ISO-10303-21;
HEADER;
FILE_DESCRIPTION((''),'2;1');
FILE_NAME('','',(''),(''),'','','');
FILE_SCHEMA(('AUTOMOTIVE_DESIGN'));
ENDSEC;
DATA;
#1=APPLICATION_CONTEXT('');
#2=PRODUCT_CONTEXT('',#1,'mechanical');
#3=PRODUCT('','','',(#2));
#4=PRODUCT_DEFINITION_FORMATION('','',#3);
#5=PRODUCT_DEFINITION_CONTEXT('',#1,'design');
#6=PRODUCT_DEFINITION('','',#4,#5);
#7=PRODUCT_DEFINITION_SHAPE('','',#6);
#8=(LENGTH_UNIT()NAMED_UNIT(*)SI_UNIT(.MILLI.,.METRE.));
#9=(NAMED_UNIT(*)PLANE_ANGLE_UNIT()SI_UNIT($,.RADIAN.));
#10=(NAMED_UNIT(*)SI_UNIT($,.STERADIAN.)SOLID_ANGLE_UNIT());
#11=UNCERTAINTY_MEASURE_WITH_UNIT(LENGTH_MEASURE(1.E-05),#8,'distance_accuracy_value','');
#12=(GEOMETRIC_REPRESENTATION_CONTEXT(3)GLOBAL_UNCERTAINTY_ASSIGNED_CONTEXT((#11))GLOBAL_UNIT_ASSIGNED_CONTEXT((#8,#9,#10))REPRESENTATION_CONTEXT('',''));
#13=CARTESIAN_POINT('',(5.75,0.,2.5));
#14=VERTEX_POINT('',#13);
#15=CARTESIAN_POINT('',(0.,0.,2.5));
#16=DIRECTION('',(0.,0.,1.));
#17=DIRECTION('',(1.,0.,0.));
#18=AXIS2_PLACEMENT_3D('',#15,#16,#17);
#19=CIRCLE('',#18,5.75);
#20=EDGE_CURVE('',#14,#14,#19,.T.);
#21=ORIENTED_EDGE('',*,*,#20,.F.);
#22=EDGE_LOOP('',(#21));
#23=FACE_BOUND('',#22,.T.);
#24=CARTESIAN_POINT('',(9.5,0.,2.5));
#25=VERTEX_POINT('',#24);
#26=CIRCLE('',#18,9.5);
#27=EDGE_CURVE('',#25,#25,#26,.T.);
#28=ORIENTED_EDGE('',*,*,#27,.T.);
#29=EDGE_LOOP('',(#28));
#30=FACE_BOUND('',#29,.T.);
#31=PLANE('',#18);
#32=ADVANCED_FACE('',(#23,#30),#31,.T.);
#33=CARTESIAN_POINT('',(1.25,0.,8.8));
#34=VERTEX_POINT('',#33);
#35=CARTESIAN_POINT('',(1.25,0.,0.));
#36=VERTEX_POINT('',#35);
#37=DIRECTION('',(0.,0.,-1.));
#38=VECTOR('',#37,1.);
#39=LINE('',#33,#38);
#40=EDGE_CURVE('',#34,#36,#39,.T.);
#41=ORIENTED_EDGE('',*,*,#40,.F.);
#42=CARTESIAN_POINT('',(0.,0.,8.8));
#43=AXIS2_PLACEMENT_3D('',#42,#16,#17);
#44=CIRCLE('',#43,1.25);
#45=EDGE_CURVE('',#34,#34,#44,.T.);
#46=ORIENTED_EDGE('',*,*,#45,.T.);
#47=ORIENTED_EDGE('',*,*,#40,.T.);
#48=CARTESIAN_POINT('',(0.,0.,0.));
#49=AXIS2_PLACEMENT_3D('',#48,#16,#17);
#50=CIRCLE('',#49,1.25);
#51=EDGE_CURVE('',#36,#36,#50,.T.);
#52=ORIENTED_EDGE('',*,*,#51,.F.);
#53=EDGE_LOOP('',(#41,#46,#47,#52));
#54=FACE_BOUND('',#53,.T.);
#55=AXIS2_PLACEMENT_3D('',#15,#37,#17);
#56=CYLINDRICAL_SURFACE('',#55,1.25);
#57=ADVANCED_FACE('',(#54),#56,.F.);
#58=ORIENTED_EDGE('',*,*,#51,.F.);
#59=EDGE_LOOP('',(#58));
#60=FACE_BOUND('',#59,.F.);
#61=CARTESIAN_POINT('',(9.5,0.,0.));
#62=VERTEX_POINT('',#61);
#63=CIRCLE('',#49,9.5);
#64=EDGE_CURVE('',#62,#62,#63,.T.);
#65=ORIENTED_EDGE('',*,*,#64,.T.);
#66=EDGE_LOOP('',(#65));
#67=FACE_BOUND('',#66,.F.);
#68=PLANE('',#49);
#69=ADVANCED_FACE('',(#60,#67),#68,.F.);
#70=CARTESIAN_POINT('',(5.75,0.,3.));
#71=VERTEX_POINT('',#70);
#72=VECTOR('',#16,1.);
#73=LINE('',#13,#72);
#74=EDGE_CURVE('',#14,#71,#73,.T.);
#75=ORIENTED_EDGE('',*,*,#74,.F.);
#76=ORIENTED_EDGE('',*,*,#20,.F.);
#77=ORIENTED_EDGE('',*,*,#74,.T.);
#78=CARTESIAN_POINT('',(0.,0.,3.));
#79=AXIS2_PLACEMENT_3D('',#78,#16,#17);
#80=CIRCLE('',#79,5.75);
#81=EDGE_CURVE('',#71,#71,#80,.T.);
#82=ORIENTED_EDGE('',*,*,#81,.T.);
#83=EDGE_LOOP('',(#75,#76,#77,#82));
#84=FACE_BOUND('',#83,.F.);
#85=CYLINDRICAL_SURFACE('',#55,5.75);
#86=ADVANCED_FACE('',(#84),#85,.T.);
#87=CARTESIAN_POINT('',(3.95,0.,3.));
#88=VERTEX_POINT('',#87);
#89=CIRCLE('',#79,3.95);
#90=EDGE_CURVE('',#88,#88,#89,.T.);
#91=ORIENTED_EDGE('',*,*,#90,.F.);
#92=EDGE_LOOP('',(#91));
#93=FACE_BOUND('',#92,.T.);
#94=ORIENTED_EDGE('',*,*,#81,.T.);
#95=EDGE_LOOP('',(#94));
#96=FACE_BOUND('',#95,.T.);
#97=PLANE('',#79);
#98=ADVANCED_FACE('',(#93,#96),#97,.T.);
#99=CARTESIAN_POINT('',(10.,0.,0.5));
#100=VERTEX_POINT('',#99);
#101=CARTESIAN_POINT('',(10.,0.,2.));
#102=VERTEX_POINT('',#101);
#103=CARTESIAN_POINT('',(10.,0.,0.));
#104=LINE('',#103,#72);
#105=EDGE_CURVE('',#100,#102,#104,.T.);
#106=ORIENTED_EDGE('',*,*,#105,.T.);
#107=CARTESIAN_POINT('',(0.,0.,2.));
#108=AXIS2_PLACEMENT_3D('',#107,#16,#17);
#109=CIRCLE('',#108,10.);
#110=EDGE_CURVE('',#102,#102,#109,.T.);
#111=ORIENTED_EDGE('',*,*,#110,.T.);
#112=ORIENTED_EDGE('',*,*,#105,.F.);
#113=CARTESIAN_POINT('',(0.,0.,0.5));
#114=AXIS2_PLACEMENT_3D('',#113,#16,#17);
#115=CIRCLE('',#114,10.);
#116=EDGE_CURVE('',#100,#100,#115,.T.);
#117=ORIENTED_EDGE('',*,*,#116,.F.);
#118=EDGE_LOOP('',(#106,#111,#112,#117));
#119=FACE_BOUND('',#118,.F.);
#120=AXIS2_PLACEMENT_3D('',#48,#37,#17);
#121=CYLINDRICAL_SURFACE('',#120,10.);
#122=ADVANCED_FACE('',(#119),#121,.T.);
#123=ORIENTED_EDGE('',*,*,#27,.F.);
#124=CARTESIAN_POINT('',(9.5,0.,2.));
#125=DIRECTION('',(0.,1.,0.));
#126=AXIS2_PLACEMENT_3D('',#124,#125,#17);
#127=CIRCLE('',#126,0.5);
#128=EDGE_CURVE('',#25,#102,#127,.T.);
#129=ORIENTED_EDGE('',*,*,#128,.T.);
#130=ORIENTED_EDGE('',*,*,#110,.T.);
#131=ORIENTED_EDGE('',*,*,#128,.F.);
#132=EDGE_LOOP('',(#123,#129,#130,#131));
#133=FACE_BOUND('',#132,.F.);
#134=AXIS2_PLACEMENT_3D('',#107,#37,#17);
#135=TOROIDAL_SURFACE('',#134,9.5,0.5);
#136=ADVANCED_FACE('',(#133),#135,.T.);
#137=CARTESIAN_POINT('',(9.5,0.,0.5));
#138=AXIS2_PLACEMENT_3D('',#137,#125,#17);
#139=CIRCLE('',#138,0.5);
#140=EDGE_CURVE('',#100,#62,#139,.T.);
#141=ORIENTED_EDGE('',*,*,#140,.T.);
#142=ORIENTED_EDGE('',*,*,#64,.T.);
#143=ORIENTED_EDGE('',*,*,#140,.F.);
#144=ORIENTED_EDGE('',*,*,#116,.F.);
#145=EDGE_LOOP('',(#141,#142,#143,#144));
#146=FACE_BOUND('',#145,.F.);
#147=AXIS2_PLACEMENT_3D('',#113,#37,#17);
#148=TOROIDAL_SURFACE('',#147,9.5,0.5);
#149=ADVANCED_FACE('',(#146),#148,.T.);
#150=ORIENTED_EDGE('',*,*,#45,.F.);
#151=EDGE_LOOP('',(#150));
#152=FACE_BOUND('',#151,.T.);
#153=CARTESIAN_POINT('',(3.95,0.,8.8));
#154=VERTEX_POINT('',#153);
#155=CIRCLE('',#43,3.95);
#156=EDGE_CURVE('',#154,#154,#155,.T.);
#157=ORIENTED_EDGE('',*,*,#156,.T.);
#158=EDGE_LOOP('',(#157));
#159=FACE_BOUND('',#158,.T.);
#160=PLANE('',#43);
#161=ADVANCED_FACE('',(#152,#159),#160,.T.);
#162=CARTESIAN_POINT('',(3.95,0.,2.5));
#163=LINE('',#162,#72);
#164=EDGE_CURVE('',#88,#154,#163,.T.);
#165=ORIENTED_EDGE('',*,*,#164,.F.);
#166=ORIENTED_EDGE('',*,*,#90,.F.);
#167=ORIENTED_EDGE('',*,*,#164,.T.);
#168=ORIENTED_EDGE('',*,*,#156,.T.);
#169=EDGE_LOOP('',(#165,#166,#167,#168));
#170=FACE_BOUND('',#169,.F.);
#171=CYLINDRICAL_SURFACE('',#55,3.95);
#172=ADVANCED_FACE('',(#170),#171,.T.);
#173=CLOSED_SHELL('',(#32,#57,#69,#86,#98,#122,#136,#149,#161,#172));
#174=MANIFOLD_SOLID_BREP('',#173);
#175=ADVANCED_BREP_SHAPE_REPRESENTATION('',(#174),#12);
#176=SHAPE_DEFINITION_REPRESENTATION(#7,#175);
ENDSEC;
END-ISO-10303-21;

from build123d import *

# Parameters (mm, degrees)
F0_R     = 10
F0_R_2   = 1.25
F1_DEPTH = 2.5
F2_R     = 3.95
F2_R_2   = 1.25
F3_DEPTH = 6.3
F2_R_3   = 5.75
F4_DEPTH = 0.5
F5_R     = 0.5


with BuildPart() as f1:
    # F0 (on Top) → F1 (new body)
    with BuildSketch(Plane.XY):
        Circle(F0_R)
        Circle(F0_R_2, mode=Mode.SUBTRACT)
    extrude(amount=F1_DEPTH)

    # F2 (on face) → F3 (join)
    with BuildSketch(Plane.XY.offset(2.5)):
        Circle(F2_R)
        Circle(F2_R_2, mode=Mode.SUBTRACT)
    extrude(amount=F3_DEPTH)

    # F2 (on face) → F4 (join)
    with BuildSketch(Plane.XY.offset(2.5)):
        Circle(F2_R_3)
        Circle(F2_R, mode=Mode.SUBTRACT)
    extrude(amount=F4_DEPTH)

    # F5
    f5_edges = [f1.edges().sort_by_distance(p)[0] for p in [
        (-10, 0, 0),
        (-10, 0, 2.5),
    ]]
    fillet(f5_edges, radius=F5_R)


solid = f1.part
